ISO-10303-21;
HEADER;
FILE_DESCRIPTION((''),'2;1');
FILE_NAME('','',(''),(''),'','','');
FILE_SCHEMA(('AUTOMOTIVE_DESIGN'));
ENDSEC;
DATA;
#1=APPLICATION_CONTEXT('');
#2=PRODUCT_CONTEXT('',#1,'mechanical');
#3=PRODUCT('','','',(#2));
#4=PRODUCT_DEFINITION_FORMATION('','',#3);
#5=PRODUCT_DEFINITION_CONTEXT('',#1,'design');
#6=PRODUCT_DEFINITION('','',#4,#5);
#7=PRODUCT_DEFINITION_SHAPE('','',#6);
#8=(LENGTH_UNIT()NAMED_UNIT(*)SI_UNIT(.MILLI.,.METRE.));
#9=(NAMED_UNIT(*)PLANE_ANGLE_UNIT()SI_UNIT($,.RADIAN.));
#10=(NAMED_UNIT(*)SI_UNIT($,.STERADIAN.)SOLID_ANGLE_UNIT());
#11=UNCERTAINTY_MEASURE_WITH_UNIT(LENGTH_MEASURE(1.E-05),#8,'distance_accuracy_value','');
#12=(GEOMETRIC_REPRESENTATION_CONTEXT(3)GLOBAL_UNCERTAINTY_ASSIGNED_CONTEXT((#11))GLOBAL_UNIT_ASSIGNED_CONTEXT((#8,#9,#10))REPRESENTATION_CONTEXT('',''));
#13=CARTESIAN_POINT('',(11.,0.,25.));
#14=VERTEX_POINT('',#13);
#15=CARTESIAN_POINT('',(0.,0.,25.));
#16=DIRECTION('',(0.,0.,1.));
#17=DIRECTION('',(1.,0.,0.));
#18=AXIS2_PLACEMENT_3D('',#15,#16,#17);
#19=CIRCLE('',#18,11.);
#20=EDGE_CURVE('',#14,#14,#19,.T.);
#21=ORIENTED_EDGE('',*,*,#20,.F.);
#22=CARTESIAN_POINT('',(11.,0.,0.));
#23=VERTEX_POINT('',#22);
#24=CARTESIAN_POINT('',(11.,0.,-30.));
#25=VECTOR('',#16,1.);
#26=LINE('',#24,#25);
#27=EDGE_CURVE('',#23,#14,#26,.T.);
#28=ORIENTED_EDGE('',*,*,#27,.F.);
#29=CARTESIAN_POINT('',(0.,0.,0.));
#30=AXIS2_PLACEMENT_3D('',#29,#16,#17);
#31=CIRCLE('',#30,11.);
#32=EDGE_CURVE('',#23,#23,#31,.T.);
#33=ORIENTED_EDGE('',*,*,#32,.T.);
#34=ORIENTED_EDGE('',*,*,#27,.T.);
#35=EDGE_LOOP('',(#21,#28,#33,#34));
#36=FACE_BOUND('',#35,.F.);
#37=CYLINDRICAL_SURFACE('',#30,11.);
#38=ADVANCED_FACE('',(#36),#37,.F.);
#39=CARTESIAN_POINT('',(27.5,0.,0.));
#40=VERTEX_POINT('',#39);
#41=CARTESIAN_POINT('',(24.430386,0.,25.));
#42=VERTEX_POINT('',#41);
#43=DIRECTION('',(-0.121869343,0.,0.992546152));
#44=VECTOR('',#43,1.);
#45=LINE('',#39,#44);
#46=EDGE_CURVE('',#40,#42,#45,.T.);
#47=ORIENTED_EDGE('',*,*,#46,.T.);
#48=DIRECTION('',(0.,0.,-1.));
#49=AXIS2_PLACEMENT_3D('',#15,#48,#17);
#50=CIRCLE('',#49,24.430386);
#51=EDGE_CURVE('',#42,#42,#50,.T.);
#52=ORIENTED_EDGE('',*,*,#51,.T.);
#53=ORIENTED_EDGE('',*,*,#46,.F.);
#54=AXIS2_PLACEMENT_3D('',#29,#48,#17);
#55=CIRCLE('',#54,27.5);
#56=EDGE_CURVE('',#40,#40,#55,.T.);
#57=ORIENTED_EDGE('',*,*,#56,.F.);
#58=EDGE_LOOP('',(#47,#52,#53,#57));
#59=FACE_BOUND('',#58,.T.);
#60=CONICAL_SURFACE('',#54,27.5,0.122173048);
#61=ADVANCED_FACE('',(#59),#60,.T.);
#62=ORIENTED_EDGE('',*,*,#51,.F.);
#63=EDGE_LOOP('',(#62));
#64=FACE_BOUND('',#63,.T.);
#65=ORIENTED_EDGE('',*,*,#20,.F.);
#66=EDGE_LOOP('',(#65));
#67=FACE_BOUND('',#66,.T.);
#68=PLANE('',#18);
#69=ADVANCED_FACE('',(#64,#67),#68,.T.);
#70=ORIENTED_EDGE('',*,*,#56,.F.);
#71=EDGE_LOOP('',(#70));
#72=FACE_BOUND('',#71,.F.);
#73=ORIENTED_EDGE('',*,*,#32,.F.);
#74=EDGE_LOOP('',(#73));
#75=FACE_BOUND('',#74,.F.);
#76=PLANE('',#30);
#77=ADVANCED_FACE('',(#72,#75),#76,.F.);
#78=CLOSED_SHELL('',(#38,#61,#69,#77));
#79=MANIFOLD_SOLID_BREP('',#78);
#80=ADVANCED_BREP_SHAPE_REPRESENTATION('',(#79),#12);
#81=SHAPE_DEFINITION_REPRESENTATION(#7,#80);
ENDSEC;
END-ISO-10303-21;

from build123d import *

# Parameters (mm, degrees)
F0_R     = 27.5
F0_R_2   = 11
F1_DEPTH = 25
F1_TAPER = 7
F2_DEPTH = 30


with BuildPart() as f1:
    # F0 (on Top) → F1 (new body)
    with BuildSketch(Plane.XY):
        Circle(F0_R)
        Circle(F0_R_2, mode=Mode.SUBTRACT)
        Circle(F0_R_2)
    extrude(amount=F1_DEPTH, taper=F1_TAPER)

    # F0 (on Top) → F2 (cut, symmetric)
    with BuildSketch(Plane.XY):
        Circle(F0_R_2)
    extrude(amount=F2_DEPTH, both=True, mode=Mode.SUBTRACT)


solid = f1.part
